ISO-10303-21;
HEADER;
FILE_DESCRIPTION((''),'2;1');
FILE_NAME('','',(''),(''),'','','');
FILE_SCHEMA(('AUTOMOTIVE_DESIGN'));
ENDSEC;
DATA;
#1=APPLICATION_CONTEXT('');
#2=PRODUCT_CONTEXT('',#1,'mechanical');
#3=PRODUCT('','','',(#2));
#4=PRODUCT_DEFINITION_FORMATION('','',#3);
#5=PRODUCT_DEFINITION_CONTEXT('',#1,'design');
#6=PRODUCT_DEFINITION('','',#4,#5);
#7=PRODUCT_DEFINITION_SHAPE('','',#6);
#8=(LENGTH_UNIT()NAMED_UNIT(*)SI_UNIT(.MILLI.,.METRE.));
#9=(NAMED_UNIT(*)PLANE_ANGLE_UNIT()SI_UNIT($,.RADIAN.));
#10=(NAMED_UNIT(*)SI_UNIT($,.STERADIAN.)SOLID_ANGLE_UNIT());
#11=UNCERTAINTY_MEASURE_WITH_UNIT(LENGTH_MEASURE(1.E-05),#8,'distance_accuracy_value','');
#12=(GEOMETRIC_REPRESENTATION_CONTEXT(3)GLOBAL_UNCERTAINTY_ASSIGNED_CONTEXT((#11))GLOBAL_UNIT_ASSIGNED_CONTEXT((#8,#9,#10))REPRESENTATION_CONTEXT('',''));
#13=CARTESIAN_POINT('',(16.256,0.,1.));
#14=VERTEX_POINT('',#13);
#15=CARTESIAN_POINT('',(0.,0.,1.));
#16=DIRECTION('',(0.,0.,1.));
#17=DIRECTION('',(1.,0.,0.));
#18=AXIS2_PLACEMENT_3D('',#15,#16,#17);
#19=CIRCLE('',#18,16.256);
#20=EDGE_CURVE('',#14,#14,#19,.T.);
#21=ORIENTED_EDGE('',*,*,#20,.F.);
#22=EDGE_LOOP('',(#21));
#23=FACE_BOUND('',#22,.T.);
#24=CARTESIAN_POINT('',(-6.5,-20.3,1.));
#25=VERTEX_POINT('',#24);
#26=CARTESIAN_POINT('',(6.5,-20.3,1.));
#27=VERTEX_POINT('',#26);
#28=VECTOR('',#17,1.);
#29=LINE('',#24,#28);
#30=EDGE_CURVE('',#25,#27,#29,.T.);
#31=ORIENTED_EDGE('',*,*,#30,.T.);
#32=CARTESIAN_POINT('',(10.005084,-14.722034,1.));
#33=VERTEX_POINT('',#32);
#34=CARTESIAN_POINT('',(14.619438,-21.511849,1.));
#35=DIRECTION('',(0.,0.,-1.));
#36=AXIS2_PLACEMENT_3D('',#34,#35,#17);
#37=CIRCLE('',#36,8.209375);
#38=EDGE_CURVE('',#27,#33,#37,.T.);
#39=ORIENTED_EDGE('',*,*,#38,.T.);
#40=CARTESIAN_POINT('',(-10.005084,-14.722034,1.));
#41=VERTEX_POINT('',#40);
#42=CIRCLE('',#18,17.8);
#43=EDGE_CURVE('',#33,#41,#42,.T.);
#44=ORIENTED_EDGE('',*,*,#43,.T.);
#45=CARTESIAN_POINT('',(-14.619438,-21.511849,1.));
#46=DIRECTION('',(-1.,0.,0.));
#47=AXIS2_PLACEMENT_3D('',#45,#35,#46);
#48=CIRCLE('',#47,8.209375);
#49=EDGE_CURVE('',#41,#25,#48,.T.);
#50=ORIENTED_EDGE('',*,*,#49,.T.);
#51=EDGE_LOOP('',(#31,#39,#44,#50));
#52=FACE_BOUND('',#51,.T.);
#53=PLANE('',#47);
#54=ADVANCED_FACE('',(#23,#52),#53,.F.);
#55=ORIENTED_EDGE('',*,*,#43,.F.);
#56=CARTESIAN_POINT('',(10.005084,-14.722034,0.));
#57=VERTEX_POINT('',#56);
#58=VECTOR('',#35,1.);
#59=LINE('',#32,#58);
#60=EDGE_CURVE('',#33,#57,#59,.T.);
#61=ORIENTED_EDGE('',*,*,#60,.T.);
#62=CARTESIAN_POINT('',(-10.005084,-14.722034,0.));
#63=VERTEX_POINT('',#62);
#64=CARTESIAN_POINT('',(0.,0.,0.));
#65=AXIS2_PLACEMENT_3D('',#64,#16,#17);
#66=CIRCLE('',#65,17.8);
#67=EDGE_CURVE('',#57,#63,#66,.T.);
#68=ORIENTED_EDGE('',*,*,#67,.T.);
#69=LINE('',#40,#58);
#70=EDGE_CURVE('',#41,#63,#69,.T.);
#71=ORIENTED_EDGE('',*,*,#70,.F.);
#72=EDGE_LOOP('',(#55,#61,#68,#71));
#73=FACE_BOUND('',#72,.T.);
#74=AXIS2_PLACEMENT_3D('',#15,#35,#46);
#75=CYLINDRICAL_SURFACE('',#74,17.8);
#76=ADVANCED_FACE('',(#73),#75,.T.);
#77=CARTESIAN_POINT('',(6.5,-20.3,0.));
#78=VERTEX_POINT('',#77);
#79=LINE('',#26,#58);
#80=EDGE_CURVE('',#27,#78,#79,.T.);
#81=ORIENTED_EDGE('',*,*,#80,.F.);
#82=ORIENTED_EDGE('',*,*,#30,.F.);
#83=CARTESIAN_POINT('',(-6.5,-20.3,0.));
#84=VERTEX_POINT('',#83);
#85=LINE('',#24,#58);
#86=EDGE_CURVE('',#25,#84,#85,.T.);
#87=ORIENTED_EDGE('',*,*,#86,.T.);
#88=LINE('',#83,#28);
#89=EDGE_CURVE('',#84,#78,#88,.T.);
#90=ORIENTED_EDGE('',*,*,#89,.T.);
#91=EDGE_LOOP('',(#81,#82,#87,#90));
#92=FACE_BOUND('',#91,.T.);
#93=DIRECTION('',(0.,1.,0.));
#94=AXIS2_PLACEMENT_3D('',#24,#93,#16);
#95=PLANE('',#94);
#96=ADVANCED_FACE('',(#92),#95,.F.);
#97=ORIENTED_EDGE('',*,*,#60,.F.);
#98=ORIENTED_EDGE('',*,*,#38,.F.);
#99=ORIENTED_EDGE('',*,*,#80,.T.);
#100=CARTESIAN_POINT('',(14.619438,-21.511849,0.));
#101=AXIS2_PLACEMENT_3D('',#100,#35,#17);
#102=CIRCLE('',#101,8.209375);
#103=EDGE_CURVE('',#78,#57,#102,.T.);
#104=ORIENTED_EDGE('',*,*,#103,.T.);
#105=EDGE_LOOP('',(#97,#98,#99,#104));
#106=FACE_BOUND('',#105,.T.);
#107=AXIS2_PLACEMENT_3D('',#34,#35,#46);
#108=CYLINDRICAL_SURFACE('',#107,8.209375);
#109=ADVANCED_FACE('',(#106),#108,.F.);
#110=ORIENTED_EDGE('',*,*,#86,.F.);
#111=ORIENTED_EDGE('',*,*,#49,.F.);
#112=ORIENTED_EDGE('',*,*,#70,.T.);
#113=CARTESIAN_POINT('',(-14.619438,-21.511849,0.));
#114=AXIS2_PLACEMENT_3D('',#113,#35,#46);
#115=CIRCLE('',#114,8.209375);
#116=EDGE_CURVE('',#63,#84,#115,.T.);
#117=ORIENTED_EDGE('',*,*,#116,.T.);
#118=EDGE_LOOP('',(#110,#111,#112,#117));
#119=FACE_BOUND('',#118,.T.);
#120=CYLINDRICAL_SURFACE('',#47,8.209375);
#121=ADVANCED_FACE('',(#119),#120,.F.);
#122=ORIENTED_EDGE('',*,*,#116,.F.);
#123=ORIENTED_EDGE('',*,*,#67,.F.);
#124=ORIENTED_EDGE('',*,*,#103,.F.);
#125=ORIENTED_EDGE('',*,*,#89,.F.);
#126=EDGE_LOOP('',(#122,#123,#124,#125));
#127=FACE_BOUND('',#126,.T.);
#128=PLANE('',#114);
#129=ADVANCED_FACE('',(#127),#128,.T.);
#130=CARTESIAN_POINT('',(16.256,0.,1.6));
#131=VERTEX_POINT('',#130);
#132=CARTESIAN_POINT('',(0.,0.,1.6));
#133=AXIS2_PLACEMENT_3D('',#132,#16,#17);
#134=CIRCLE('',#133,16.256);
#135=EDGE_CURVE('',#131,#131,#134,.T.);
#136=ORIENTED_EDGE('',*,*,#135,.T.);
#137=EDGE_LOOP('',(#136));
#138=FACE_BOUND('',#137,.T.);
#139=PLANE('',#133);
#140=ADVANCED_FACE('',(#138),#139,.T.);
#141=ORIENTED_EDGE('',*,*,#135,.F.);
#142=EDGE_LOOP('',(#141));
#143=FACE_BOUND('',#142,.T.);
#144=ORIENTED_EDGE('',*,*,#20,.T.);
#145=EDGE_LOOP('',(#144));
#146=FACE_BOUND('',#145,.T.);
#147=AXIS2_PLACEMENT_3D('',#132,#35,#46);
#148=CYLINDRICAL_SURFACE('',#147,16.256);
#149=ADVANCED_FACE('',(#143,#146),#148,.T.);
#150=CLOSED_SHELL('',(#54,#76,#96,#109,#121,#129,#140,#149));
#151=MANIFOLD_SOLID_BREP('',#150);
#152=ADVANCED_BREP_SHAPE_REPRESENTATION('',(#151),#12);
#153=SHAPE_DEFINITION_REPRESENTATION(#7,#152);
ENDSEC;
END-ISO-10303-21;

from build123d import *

# Parameters (mm, degrees)
BOSS_EXTRU_1_CONTOUR_CRAN_DEPTH = 1
CRAN_R                          = 16.256
BOSS_EXTRU_1_CRAN_DEPTH         = 0.6


with BuildPart() as part:
    # Contour_Écran → Boss.-Extru.1_Contour_Écran (new body)
    with BuildSketch(Plane.XY):
        with BuildLine():
            Line((-6.5, -20.3), (6.5, -20.3))
            ThreePointArc((6.5, -20.3), (7.668481961, -17.144005216), (10.005084126, -14.722034222))
            ThreePointArc((10.005084126, -14.722034222), (0, 17.8), (-10.005084126, -14.722034222))
            ThreePointArc((-10.005084126, -14.722034222), (-7.668481961, -17.144005216), (-6.5, -20.3))
        make_face()
    extrude(amount=BOSS_EXTRU_1_CONTOUR_CRAN_DEPTH)

    # cran → Boss.-Extru.1_Écran (add)
    with BuildSketch(Plane.XY.offset(1)):
        Circle(CRAN_R)
    extrude(amount=BOSS_EXTRU_1_CRAN_DEPTH)


solid = part.part
